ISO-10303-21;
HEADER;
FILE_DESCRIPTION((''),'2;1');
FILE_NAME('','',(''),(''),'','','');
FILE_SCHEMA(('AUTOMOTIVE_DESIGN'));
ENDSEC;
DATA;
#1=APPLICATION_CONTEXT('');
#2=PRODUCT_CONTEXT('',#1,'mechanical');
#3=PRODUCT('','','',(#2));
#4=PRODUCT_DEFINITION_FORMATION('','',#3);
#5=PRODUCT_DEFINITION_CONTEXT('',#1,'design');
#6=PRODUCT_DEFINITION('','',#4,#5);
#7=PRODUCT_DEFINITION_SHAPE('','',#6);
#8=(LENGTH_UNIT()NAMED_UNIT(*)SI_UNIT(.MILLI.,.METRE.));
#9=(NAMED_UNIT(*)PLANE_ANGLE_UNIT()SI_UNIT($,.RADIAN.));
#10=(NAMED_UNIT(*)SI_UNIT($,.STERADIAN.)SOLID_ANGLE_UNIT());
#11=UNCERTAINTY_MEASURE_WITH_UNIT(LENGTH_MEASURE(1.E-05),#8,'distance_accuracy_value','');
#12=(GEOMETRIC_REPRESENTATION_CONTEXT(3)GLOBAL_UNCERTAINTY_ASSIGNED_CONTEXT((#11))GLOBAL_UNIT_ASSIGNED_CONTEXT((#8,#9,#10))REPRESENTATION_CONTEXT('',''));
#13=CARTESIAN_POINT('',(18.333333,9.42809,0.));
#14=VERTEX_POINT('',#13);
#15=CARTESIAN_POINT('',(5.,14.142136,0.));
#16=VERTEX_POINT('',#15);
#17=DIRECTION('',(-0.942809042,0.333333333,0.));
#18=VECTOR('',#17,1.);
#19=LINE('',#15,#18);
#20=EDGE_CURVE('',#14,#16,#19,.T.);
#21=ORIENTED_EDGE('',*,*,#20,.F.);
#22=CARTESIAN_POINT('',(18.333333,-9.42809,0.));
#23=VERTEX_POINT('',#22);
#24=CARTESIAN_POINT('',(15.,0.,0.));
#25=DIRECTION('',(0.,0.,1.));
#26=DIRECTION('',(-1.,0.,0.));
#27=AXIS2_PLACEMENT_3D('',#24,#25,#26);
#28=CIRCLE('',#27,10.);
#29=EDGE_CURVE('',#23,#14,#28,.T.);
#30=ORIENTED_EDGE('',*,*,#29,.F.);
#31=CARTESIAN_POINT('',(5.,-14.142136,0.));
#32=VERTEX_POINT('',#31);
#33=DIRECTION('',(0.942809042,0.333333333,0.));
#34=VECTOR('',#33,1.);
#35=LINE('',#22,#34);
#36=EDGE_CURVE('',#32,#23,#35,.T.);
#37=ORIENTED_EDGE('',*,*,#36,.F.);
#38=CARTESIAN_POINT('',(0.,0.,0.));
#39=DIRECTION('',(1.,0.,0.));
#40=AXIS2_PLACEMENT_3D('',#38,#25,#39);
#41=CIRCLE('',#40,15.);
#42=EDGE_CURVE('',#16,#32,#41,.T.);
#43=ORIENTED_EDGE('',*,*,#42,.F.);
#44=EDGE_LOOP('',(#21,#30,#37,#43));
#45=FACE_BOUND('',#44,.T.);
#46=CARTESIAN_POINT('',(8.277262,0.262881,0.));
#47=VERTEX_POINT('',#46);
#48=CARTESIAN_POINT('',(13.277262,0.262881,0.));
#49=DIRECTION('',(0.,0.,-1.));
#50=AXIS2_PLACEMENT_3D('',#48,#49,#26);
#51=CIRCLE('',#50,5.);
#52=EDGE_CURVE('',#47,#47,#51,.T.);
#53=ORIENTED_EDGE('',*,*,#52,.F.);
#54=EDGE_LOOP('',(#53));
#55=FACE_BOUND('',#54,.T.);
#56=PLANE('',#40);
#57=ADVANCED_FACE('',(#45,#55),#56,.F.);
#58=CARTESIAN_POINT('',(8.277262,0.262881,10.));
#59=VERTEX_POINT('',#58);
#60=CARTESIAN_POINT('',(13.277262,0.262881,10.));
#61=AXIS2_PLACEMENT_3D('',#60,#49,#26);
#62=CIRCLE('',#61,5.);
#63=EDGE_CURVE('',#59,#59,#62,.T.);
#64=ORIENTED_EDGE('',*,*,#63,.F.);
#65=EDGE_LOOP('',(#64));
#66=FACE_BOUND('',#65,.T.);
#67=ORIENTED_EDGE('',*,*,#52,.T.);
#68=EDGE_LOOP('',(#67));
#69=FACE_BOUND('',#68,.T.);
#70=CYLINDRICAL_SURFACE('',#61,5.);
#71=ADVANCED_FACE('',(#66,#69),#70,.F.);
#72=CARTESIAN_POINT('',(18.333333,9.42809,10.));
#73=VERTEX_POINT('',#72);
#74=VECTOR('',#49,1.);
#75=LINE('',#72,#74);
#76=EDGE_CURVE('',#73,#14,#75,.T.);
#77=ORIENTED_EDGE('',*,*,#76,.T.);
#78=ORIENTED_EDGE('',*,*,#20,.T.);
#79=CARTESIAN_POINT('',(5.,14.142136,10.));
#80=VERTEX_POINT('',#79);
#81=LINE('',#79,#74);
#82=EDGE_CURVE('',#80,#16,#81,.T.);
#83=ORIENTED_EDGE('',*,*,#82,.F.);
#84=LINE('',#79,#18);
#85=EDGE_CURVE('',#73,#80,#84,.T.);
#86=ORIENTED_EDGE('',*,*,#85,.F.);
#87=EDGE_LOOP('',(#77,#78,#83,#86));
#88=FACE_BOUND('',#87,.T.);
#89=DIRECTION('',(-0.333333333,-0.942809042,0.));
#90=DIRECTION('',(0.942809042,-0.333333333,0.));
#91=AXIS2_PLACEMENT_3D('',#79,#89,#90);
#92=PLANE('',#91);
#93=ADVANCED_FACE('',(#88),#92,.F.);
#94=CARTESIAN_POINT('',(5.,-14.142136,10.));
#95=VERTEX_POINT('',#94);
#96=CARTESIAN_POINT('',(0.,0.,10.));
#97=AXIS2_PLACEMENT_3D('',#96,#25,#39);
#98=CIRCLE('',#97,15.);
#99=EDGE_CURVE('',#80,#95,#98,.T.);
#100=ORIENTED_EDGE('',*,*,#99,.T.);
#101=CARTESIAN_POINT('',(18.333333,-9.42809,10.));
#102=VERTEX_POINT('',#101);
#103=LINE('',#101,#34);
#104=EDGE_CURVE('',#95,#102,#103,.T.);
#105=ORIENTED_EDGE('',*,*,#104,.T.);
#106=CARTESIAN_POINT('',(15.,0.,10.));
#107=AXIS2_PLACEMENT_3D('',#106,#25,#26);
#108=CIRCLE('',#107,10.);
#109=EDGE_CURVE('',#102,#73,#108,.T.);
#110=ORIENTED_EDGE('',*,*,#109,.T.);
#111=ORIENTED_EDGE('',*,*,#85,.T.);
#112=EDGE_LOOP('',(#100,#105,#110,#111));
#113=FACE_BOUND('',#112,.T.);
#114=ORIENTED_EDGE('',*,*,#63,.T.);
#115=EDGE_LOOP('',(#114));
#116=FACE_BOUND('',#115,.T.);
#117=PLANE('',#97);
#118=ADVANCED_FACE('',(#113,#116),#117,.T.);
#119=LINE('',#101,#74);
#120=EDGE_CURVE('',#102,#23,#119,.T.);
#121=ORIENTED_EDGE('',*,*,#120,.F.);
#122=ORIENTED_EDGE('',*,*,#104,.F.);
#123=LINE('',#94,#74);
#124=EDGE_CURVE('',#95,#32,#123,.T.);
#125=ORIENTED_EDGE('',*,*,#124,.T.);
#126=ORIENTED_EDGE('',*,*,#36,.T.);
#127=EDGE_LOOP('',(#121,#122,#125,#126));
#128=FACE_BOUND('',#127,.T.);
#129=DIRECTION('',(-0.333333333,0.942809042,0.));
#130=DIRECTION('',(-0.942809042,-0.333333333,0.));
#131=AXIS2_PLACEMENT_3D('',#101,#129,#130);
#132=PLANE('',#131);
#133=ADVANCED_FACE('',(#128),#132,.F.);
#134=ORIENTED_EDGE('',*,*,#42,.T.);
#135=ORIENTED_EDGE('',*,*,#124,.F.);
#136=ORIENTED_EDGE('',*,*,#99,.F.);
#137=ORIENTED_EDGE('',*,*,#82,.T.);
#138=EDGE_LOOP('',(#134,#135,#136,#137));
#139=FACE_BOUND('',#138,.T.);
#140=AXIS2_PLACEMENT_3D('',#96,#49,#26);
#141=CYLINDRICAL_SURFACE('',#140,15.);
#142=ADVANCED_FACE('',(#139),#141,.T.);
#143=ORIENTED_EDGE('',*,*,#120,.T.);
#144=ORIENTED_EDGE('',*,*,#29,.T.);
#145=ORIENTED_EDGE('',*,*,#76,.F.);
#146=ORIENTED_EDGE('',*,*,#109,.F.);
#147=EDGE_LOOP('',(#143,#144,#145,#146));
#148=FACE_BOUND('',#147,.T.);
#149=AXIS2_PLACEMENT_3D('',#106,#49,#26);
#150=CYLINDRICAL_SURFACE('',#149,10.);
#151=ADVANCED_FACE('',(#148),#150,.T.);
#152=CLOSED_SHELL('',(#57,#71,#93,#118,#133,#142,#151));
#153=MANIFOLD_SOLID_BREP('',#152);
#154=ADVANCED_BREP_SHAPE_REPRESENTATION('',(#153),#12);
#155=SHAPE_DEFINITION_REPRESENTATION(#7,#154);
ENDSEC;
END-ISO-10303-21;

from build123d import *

# Parameters (mm, degrees)
EXTRUDE_1_DEPTH     = 10
SKETCH_3_R          = 5
CUT_EXTRUDE_1_DEPTH = 11


with BuildPart() as part:
    # 草图1 → 凸台-拉伸1 (new body)
    with BuildSketch(Plane.XY):
        with BuildLine():
            Line((5, 14.142135624), (18.333333333, 9.428090416))
            ThreePointArc((18.333333333, 9.428090416), (25, 0), (18.333333333, -9.428090416))
            Line((18.333333333, -9.428090416), (5, -14.142135624))
            ThreePointArc((5, -14.142135624), (-15, 0), (5, 14.142135624))
        make_face()
    extrude(amount=EXTRUDE_1_DEPTH)

    # 草图3 → 切除-拉伸1 (cut, through all)
    with BuildSketch(Plane(origin=(0, 0, 0), x_dir=(-1, 0, 0), z_dir=(0, 0, -1))):
        with Locations((-13.277262402, 0.262881409)):
            Circle(SKETCH_3_R)
    extrude(amount=-CUT_EXTRUDE_1_DEPTH, mode=Mode.SUBTRACT)


solid = part.part
